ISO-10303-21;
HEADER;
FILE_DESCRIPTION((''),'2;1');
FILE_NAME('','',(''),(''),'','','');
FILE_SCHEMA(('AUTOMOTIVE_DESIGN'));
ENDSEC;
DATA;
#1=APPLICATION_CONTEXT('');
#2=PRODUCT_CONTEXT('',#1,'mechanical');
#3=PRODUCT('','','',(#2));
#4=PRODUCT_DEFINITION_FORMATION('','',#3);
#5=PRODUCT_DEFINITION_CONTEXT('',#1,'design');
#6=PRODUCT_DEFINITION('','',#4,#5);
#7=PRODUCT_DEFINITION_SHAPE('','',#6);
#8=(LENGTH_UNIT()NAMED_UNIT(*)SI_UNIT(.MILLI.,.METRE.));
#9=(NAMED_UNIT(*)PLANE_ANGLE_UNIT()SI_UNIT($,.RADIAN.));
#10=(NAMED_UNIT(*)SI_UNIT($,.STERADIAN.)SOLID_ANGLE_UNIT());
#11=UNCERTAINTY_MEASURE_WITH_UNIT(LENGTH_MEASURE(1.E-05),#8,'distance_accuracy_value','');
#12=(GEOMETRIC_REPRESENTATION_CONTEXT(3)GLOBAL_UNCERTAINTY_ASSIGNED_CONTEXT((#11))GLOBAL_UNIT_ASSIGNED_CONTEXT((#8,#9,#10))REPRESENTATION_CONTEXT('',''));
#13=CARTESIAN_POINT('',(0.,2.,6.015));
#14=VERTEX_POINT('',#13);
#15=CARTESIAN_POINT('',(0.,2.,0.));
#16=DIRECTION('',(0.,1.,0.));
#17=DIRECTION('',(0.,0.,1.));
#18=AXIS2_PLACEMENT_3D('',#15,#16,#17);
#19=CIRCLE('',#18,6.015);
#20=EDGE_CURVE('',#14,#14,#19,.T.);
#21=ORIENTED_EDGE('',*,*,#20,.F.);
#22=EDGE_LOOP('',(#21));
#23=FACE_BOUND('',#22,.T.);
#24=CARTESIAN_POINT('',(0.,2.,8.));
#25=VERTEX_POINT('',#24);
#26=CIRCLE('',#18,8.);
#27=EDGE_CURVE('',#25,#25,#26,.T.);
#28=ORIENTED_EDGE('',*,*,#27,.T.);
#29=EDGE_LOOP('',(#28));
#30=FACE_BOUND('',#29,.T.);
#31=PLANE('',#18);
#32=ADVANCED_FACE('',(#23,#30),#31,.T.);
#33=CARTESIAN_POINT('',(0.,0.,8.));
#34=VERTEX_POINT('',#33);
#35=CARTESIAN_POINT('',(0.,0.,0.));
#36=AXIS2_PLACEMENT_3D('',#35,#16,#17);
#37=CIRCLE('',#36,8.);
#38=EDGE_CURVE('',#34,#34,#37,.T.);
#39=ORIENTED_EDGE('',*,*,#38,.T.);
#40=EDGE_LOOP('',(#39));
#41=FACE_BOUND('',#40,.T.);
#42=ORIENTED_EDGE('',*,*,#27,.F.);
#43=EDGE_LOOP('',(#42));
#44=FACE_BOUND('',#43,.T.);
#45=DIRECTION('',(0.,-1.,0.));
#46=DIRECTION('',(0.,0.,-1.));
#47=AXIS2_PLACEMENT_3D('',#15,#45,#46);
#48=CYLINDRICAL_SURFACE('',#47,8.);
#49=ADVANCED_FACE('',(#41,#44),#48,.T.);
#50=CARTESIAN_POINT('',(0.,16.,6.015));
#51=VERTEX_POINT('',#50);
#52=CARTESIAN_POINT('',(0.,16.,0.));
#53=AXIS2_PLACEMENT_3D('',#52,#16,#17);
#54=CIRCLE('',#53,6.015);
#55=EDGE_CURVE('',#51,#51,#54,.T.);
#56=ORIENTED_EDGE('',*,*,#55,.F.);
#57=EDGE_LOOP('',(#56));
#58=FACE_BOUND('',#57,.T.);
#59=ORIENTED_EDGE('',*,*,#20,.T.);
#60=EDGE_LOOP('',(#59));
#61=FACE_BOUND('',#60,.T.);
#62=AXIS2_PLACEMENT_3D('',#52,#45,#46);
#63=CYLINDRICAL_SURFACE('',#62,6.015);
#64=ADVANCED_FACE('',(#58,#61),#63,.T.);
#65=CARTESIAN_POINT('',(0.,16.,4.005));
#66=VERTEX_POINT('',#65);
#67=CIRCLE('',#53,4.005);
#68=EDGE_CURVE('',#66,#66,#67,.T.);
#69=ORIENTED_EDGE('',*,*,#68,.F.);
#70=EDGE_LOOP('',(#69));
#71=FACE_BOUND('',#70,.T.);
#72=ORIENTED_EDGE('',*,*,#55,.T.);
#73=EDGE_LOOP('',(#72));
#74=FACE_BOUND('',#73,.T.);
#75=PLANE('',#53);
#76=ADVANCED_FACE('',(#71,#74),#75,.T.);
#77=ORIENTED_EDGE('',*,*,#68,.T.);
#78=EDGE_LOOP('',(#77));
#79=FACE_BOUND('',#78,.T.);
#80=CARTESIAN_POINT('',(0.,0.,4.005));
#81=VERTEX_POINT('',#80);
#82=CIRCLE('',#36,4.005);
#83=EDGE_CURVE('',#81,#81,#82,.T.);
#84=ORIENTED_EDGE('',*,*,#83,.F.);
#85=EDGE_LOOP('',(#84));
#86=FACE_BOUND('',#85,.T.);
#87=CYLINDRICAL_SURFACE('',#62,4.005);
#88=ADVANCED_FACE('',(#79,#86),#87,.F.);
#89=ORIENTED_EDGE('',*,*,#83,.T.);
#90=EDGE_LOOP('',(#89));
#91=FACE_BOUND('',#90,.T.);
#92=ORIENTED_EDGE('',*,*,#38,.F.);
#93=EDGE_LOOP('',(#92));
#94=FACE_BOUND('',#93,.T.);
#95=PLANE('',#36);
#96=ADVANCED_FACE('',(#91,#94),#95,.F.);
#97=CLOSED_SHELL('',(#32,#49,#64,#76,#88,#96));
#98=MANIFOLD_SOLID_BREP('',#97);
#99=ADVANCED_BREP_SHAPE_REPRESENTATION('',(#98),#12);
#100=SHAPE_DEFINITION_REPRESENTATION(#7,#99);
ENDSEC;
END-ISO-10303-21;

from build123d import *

# Parameters (mm, degrees)
SKETCH2_R           = 6.015
SKETCH2_R_2         = 4.005
BOSS_EXTRUDE1_DEPTH = 16
SKETCH3_R           = 8
SKETCH3_R_2         = 6.015
BOSS_EXTRUDE2_DEPTH = 2


with BuildPart() as part:
    # Sketch2 → Boss-Extrude1 (new body)
    with BuildSketch(Plane(origin=(0, 0, 0), x_dir=(1, 0, 0), z_dir=(0, 1, 0))):
        Circle(SKETCH2_R)
        Circle(SKETCH2_R_2, mode=Mode.SUBTRACT)
    extrude(amount=BOSS_EXTRUDE1_DEPTH)

    # Sketch3 → Boss-Extrude2 (add)
    with BuildSketch(Plane(origin=(0, 0, 0), x_dir=(1, 0, 0), z_dir=(0, 1, 0))):
        Circle(SKETCH3_R)
        Circle(SKETCH3_R_2, mode=Mode.SUBTRACT)
    extrude(amount=BOSS_EXTRUDE2_DEPTH)


solid = part.part
